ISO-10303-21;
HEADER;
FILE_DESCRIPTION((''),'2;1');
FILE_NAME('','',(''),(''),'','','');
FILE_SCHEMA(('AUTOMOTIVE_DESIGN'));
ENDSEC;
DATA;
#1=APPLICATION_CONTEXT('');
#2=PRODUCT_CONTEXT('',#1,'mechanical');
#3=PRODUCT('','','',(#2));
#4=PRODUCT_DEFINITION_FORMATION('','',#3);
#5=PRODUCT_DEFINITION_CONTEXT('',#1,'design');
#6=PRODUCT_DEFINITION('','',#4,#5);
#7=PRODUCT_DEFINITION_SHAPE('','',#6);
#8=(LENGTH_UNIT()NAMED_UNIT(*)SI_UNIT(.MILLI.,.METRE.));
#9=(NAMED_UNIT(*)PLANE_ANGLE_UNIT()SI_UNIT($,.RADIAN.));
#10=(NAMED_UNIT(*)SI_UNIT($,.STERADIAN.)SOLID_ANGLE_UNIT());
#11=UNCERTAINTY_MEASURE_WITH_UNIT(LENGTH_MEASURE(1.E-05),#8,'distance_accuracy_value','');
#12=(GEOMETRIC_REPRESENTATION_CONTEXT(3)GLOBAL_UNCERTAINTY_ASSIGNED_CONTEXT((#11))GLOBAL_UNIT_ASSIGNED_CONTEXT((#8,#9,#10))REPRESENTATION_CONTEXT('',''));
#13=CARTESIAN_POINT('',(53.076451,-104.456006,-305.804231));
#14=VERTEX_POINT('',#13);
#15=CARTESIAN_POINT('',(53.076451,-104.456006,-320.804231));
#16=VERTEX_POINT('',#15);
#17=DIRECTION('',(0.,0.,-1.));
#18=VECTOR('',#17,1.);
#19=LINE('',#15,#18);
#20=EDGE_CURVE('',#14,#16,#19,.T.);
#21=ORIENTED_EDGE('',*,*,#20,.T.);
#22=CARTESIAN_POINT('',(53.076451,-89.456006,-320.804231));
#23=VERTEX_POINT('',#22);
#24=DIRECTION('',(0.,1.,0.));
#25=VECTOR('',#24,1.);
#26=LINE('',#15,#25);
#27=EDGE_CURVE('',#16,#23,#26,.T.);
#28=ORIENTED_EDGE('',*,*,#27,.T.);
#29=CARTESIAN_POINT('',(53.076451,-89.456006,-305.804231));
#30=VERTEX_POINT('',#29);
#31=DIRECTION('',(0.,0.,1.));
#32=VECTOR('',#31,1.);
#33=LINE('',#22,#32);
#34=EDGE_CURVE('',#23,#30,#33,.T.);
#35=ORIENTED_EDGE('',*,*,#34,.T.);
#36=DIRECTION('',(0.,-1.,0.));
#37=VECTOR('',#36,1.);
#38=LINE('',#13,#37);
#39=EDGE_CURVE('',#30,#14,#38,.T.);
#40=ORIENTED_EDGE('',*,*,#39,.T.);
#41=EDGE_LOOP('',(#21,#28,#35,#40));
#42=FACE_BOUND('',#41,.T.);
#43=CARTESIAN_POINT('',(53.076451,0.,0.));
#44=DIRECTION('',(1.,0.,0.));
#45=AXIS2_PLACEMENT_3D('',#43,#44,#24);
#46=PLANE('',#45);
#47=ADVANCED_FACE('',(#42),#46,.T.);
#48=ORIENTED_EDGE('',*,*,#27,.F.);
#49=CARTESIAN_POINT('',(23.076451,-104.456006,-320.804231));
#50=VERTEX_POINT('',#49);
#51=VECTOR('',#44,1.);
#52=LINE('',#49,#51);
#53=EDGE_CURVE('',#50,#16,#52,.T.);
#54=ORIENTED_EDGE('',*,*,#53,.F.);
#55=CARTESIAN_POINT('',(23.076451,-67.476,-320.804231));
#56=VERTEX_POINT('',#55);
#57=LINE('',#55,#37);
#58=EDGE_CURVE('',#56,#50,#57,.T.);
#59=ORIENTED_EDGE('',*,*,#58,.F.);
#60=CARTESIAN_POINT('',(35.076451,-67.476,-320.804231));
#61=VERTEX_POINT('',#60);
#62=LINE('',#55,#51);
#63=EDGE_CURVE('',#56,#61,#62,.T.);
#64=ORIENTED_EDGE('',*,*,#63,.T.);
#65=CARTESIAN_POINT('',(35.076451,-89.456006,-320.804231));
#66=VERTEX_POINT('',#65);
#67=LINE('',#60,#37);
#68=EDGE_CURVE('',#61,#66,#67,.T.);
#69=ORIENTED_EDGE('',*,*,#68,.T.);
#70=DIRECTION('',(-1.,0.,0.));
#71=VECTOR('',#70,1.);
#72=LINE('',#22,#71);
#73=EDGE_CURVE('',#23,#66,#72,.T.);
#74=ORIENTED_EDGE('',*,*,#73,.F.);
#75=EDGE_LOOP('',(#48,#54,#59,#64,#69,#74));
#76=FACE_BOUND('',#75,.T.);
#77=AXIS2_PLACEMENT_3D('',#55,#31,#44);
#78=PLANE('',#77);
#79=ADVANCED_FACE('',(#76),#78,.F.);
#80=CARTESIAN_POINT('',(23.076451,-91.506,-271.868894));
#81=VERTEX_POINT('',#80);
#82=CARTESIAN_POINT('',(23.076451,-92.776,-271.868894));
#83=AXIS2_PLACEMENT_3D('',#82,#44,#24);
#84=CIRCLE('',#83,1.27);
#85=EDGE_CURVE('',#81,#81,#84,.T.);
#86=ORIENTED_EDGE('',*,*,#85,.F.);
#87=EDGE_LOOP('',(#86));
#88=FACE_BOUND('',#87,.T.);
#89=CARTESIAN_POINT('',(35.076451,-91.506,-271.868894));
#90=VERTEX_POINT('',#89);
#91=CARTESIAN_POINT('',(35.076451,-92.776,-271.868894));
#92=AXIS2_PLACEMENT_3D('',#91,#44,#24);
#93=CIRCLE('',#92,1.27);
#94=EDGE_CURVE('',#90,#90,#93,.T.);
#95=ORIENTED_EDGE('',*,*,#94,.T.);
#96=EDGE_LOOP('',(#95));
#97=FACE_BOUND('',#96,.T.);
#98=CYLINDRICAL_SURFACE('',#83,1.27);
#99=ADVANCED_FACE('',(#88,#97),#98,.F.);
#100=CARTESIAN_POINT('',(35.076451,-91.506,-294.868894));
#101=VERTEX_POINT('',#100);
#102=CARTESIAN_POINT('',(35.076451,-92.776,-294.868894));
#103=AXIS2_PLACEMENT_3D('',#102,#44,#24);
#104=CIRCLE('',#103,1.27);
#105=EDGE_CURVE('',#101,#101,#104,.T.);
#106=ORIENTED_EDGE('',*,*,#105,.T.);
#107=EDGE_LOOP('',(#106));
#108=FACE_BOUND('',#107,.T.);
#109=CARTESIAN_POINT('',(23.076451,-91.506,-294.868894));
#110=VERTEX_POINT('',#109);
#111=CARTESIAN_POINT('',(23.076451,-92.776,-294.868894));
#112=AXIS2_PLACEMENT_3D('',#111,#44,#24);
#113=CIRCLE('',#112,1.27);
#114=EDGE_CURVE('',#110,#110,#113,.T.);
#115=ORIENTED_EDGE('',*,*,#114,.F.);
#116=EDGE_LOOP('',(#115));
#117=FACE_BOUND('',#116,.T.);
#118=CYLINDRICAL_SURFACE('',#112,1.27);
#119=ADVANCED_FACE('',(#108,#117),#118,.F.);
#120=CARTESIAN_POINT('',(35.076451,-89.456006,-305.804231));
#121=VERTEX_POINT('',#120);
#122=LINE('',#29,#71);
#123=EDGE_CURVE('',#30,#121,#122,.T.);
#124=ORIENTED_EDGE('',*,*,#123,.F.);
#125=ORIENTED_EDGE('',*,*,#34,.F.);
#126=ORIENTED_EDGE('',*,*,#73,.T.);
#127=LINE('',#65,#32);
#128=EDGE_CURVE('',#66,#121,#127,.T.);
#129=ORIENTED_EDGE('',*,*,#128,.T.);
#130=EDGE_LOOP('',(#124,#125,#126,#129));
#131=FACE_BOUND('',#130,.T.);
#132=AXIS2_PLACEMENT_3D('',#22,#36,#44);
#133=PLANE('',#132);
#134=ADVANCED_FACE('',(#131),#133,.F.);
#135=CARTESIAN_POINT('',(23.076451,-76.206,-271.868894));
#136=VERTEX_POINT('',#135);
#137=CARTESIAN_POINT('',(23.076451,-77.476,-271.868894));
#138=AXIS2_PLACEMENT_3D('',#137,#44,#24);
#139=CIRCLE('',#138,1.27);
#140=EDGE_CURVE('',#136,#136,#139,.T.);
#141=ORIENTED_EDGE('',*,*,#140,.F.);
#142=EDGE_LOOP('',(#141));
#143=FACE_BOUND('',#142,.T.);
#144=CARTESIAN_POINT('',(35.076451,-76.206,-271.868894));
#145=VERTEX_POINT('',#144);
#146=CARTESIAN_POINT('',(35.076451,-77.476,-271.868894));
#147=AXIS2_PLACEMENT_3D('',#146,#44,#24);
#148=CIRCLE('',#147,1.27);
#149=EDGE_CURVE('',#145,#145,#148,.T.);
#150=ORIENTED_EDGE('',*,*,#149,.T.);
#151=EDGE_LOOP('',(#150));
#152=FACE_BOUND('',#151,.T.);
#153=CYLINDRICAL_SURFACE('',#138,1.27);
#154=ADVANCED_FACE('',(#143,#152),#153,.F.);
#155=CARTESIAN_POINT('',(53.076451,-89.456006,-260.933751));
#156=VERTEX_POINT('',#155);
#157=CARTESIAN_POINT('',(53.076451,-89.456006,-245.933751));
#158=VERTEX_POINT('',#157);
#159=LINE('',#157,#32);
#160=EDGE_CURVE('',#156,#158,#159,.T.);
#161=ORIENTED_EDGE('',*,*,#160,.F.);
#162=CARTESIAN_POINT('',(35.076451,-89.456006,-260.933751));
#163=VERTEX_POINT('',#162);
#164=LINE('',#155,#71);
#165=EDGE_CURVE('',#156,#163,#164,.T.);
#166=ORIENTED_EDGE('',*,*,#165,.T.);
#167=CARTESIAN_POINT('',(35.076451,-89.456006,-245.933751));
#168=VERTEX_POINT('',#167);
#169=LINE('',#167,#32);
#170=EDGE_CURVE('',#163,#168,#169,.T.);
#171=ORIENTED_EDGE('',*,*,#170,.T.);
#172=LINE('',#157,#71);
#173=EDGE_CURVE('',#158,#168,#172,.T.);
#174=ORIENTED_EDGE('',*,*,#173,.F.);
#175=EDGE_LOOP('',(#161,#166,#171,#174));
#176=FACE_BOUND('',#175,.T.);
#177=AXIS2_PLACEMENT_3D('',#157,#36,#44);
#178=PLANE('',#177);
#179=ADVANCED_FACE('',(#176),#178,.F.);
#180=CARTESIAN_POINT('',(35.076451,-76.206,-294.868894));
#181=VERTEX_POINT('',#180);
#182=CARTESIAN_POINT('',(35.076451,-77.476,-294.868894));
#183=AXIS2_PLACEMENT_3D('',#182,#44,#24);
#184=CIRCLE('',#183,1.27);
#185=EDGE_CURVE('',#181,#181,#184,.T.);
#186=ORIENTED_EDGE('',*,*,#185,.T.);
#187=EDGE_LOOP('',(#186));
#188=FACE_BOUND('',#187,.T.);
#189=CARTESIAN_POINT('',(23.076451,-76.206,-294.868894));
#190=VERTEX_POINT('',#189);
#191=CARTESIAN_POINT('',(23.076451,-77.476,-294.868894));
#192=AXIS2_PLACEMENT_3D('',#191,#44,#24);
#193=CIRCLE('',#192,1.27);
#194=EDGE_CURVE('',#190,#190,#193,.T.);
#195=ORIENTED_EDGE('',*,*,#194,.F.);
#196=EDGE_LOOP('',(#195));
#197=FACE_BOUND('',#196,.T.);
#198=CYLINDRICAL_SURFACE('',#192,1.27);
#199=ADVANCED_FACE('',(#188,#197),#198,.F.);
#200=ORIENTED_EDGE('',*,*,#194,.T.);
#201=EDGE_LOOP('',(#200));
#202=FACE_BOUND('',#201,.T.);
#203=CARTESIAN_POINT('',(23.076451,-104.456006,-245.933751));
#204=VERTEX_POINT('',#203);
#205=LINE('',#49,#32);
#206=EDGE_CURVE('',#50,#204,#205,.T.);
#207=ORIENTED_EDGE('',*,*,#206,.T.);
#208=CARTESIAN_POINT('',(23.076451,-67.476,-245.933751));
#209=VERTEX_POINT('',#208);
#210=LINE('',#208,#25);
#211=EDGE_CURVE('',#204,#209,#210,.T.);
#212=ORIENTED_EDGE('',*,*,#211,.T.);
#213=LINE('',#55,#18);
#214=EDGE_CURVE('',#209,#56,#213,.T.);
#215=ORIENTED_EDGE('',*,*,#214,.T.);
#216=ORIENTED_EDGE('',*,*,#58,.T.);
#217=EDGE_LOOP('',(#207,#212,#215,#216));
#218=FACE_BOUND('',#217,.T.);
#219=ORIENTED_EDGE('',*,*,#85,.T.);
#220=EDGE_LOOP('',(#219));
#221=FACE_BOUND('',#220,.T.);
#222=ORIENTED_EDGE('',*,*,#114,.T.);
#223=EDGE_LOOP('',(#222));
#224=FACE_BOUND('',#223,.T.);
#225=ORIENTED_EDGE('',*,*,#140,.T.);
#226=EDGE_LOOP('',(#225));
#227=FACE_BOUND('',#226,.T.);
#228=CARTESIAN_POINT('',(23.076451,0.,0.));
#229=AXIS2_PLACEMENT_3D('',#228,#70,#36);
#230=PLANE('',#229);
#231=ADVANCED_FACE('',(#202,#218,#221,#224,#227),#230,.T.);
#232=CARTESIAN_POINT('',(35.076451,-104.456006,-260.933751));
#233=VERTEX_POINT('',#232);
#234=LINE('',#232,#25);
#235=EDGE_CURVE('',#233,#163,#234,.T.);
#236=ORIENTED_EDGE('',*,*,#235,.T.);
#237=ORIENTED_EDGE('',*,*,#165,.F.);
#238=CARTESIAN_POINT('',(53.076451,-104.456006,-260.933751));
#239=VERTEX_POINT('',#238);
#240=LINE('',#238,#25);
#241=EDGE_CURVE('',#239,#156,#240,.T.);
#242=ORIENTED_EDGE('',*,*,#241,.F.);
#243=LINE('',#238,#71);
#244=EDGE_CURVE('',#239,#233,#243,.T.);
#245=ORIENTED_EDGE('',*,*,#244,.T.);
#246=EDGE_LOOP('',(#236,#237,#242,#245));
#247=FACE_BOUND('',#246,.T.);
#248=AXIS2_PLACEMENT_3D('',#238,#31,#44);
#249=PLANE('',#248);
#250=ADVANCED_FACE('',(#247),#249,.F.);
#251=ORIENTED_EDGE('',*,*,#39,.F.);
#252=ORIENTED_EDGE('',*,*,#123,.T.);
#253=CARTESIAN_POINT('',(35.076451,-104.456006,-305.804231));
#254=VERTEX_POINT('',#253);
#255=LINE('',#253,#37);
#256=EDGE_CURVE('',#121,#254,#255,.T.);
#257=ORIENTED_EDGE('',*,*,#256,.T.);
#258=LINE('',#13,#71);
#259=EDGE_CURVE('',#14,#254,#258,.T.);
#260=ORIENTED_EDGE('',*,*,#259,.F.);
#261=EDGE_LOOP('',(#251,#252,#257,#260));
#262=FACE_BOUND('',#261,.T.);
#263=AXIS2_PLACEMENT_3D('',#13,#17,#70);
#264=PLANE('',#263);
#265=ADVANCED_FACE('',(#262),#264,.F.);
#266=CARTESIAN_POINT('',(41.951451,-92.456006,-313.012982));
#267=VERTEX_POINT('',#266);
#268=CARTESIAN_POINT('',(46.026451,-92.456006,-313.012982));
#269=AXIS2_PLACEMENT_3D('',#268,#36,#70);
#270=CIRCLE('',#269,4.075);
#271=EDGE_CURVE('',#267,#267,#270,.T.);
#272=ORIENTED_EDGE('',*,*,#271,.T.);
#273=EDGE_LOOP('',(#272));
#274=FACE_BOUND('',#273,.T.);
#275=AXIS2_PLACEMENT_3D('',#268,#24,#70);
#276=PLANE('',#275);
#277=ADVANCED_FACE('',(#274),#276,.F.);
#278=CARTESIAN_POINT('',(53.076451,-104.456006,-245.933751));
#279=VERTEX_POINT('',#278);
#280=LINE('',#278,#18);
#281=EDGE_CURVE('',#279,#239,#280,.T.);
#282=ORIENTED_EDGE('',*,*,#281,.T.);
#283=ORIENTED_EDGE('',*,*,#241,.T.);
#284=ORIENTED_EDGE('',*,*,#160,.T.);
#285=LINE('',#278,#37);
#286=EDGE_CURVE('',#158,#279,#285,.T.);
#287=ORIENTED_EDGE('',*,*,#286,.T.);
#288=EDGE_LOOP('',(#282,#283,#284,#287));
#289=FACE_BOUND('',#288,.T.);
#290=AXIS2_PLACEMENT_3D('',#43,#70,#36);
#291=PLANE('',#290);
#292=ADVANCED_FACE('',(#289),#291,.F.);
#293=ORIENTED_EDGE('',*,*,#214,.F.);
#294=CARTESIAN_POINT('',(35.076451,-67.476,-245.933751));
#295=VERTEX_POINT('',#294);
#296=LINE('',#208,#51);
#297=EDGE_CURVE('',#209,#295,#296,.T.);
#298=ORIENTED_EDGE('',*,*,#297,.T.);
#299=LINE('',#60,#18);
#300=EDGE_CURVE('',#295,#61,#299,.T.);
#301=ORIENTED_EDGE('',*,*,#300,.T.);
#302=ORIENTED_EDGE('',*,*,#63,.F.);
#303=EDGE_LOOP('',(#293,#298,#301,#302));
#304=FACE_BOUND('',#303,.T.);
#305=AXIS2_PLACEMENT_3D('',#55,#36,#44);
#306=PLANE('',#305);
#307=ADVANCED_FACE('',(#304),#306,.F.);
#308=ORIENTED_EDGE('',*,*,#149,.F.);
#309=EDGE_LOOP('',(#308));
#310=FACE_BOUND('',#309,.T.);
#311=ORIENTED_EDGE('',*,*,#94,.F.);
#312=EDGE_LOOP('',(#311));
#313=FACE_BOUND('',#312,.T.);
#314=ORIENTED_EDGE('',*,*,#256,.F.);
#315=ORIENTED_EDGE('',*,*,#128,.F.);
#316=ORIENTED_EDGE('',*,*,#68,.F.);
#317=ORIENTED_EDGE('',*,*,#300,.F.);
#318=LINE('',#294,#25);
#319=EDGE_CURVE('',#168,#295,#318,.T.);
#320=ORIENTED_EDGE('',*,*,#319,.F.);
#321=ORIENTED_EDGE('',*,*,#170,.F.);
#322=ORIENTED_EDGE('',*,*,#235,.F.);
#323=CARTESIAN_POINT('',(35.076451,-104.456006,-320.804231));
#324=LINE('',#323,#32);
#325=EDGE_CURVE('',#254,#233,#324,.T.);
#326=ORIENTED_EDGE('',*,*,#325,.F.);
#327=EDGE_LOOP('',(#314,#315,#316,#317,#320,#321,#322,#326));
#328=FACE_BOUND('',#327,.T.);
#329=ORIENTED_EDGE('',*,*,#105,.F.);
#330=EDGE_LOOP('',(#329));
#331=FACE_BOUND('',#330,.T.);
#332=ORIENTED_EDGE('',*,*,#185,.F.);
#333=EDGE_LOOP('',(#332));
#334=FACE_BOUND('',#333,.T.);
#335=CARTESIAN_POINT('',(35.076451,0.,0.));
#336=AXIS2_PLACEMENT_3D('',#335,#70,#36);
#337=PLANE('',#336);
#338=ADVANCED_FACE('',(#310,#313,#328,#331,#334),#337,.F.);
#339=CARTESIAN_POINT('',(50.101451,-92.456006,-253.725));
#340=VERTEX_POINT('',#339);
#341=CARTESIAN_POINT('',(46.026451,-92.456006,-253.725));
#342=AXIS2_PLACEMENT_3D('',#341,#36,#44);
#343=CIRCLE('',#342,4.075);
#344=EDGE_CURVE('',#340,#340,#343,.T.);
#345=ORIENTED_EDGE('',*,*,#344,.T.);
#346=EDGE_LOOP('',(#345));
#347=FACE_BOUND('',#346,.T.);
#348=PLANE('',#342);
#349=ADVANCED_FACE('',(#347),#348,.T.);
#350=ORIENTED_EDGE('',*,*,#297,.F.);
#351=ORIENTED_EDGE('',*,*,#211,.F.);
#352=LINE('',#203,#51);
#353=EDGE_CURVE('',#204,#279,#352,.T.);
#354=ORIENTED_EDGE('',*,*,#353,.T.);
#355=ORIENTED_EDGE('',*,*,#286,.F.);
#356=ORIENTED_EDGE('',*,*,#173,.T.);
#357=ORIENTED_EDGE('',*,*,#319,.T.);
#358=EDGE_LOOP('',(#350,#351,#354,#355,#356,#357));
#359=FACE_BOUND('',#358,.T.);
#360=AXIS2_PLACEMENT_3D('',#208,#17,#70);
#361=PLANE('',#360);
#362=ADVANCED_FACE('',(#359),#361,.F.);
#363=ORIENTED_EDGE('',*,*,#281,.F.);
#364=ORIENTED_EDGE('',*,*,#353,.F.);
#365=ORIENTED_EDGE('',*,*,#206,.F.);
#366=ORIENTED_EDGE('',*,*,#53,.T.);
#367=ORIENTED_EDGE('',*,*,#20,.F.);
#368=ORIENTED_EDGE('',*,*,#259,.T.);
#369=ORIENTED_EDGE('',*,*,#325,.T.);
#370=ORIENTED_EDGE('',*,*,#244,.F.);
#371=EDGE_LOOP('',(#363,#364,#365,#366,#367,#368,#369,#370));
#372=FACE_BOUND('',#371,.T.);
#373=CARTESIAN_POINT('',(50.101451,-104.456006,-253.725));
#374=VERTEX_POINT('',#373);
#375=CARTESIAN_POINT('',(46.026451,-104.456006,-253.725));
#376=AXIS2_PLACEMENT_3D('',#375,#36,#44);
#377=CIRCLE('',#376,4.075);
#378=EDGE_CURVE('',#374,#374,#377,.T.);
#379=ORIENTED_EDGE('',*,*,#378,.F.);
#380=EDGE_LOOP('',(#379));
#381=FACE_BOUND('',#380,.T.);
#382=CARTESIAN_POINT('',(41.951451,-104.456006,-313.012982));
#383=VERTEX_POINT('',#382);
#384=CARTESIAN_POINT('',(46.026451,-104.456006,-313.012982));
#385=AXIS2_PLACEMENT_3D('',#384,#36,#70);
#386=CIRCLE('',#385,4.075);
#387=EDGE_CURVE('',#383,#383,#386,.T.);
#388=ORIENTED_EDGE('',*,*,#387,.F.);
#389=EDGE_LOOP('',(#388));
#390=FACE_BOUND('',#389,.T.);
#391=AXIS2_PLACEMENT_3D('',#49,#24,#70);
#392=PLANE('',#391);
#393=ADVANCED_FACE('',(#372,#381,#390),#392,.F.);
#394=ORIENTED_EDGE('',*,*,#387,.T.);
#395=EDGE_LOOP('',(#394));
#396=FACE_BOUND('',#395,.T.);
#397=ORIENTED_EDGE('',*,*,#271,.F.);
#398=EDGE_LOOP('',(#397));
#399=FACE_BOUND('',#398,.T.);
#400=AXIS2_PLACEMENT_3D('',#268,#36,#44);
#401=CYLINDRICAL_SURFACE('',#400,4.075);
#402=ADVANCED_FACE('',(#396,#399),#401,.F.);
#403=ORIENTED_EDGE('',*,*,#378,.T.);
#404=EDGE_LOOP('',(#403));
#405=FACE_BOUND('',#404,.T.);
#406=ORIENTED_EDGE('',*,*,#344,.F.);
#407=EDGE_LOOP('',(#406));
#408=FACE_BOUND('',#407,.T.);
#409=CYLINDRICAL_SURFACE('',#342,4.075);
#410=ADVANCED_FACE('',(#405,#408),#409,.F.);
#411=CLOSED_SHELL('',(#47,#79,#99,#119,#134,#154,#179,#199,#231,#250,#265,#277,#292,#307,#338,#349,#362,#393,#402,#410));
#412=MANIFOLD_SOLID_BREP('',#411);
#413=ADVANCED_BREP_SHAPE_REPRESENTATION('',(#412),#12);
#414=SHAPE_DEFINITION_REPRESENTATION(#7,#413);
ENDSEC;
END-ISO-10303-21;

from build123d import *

# Parameters (mm, degrees)
SKETCH1_W           = 74.870479659
SKETCH1_H           = 36.98000569
BOSS_EXTRUDE1_DEPTH = 12
SKETCH4_W           = 15
SKETCH4_H           = 15
BOSS_EXTRUDE3_DEPTH = 18
SKETCH5_R           = 4.075
CUT_EXTRUDE1_DEPTH  = 12
SKETCH3_R           = 1.27
CUT_EXTRUDE3_DEPTH  = 13


with BuildPart() as part:
    # Sketch1 → Boss-Extrude1 (new body)
    with BuildSketch(Plane.ZY.offset(-35.076450848)):
        with Locations((-283.368991002, -85.966002845)):
            Rectangle(SKETCH1_W, SKETCH1_H)
    extrude(amount=BOSS_EXTRUDE1_DEPTH)

    # Sketch4 → Boss-Extrude3 (add)
    with BuildSketch(Plane(origin=(35.076450848, 0, 0), x_dir=(0, 0, -1), z_dir=(1, 0, 0))):
        with Locations((253.433751172, -96.95600569)):
            Rectangle(SKETCH4_W, SKETCH4_H)
        with Locations((313.304230831, -96.95600569)):
            Rectangle(SKETCH4_W, SKETCH4_H)
    extrude(amount=BOSS_EXTRUDE3_DEPTH)

    # Sketch5 → Cut-Extrude1 (cut)
    with BuildSketch(Plane.XZ.offset(104.45600569)):
        with Locations((46.026450848, -253.725)):
            Circle(SKETCH5_R)
        with Locations((46.026450848, -313.012982003)):
            Circle(SKETCH5_R)
    extrude(amount=-CUT_EXTRUDE1_DEPTH, mode=Mode.SUBTRACT)

    # Sketch3 → Cut-Extrude3 (cut, through all)
    with BuildSketch(Plane(origin=(35.076450848, 0, 0), x_dir=(0, 0, -1), z_dir=(1, 0, 0))):
        with Locations((271.868893694, -77.476)):
            Circle(SKETCH3_R)
        with Locations((271.868893694, -92.776)):
            Circle(SKETCH3_R)
        with Locations((294.868893694, -77.476)):
            Circle(SKETCH3_R)
        with Locations((294.868893694, -92.776)):
            Circle(SKETCH3_R)
    extrude(amount=-CUT_EXTRUDE3_DEPTH, mode=Mode.SUBTRACT)


solid = part.part
